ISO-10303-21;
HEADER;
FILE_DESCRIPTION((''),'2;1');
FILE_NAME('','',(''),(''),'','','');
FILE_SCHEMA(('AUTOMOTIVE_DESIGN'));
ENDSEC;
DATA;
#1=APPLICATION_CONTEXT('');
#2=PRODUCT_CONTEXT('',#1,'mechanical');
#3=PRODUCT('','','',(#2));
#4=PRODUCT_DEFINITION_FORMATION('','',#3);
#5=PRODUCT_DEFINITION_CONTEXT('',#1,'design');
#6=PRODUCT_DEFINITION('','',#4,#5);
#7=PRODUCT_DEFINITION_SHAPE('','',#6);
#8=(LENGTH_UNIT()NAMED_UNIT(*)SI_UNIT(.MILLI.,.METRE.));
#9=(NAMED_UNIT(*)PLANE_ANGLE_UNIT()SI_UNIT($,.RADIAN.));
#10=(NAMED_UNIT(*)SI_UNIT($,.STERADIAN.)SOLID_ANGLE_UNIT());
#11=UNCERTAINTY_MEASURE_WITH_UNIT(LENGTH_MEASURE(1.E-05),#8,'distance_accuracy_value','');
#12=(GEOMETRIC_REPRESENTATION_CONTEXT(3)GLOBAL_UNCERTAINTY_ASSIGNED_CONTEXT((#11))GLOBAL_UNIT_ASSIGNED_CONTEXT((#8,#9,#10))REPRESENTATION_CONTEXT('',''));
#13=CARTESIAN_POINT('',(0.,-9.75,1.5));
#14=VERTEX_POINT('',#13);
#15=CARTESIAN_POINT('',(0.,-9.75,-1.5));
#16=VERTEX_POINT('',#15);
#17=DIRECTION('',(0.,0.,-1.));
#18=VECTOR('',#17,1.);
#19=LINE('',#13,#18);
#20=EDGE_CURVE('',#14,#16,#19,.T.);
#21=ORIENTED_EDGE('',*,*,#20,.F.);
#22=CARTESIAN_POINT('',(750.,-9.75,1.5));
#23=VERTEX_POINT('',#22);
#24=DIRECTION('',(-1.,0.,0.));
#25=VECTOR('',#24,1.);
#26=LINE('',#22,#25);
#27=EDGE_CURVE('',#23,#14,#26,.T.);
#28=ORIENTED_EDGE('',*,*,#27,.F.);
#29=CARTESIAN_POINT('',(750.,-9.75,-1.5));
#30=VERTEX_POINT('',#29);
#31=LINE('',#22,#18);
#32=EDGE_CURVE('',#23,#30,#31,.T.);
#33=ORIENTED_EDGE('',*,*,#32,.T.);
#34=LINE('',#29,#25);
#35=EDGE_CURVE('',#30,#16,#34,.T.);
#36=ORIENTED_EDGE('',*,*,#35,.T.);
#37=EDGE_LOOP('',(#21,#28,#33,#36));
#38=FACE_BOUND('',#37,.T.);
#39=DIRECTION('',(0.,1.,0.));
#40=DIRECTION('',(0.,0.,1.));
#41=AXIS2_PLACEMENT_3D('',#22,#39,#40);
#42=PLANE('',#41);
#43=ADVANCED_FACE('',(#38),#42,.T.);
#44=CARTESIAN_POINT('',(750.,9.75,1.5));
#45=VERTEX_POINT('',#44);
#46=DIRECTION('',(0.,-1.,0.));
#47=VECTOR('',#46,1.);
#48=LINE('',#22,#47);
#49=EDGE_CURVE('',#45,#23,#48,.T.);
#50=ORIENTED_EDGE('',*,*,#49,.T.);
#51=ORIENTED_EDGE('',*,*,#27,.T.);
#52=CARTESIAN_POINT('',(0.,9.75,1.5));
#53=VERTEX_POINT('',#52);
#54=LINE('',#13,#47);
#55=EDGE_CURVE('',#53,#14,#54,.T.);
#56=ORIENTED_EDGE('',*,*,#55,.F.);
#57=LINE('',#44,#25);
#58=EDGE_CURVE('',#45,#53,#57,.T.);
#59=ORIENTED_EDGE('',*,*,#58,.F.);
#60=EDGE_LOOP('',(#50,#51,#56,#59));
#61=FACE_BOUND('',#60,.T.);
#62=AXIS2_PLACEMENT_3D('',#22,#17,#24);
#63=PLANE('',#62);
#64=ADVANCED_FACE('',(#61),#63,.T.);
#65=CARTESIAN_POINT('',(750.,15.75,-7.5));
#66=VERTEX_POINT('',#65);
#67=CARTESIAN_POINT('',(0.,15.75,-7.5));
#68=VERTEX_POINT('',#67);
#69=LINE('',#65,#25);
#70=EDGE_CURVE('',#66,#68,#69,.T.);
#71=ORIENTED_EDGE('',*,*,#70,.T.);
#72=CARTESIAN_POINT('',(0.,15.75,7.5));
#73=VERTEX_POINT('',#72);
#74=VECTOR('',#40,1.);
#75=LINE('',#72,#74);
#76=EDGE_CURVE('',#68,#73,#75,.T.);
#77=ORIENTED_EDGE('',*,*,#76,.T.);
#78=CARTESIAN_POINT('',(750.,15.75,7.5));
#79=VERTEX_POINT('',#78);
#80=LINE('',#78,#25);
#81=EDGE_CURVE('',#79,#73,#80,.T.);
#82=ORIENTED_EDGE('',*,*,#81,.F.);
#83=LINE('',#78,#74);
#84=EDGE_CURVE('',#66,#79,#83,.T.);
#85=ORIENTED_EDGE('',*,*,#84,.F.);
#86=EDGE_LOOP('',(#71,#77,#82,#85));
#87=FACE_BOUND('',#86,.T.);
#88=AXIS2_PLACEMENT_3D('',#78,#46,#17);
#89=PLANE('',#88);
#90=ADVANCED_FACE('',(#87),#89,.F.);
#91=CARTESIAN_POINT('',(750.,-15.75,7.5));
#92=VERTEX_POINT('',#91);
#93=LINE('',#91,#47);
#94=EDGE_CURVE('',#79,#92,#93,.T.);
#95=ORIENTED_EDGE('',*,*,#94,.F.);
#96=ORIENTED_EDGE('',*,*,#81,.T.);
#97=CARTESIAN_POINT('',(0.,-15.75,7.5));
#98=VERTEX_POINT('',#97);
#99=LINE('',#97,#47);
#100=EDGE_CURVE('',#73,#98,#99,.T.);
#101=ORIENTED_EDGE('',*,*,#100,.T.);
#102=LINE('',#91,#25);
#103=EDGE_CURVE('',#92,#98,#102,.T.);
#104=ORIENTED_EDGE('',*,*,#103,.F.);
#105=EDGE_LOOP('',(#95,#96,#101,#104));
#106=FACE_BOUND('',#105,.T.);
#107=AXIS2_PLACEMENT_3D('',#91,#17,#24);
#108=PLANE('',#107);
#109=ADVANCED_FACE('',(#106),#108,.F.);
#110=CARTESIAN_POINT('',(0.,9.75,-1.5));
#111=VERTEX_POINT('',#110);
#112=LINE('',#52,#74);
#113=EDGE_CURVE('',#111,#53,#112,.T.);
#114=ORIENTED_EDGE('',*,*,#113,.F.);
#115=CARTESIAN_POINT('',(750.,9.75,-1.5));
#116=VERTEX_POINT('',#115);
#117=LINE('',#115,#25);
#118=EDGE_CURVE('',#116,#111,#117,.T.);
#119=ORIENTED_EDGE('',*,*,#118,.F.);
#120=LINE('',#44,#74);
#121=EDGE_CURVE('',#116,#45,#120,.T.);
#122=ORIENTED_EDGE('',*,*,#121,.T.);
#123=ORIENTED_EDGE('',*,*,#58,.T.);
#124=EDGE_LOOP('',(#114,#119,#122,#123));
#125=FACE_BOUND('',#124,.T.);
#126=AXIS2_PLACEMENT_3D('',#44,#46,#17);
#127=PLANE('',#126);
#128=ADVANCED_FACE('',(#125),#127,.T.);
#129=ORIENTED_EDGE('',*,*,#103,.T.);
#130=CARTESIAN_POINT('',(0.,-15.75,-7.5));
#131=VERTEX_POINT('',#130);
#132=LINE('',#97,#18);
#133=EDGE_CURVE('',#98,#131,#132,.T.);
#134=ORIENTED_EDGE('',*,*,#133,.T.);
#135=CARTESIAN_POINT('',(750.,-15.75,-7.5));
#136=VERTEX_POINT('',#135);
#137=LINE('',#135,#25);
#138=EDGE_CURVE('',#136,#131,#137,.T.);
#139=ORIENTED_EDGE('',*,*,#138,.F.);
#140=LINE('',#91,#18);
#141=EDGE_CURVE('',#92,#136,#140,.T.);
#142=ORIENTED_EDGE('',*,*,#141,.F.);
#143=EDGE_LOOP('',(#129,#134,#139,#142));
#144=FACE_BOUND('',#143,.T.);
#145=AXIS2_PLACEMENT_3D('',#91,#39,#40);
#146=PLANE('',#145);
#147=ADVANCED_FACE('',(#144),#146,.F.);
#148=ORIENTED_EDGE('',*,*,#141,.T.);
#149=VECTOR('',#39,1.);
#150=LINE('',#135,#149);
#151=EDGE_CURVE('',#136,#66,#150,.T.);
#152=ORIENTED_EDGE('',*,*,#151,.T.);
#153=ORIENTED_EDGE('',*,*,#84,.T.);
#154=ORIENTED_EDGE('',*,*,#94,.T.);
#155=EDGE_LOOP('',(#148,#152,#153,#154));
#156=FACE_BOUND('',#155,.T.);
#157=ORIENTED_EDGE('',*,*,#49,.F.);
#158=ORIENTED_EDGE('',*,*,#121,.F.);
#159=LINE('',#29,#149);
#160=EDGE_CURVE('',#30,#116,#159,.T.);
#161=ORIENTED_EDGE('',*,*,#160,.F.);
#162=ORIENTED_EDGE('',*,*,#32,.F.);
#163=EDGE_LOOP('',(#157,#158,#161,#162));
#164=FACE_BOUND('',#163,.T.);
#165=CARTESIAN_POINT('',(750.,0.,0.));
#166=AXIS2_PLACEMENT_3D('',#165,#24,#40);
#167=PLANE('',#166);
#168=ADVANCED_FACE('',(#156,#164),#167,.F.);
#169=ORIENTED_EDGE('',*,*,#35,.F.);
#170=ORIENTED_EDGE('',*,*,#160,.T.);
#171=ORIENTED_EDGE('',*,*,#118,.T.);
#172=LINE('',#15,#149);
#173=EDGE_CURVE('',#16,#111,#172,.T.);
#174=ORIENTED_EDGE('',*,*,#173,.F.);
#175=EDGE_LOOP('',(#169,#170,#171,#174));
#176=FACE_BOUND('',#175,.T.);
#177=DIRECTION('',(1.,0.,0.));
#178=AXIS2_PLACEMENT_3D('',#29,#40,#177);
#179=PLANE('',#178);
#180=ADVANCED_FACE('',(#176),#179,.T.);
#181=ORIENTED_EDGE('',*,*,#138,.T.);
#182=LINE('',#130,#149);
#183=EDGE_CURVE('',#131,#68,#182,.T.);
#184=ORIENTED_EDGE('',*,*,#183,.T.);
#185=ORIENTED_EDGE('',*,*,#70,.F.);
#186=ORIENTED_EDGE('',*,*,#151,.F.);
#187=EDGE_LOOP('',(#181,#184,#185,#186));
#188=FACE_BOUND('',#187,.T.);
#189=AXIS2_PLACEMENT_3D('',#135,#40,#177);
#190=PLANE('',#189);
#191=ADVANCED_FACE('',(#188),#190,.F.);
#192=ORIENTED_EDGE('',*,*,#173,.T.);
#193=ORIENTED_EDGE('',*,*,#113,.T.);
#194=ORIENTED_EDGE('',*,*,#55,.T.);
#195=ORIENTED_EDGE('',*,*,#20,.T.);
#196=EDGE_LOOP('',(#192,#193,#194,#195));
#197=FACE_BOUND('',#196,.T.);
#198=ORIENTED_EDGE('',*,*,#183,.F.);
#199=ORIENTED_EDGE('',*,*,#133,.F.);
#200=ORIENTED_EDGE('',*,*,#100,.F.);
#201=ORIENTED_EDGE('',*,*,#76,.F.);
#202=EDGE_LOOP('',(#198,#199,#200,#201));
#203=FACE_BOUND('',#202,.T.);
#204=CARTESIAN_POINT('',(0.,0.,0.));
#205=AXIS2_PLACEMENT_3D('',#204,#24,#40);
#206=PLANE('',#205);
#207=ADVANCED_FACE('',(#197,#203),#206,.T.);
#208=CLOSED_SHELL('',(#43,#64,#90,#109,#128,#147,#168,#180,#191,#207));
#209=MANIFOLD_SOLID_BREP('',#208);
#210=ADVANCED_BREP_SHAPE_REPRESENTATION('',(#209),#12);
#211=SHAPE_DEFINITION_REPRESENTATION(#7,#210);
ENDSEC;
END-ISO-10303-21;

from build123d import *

# Parameters (mm, degrees)
SKETCH1_W           = 15
SKETCH1_H           = 31.5
SKETCH1_W_2         = 3
SKETCH1_H_2         = 19.5
BOSS_EXTRUDE1_DEPTH = 750


with BuildPart() as part:
    # Sketch1 → Boss-Extrude1 (new body)
    with BuildSketch(Plane(origin=(0, 0, 0), x_dir=(0, 0, -1), z_dir=(1, 0, 0))):
        Rectangle(SKETCH1_W, SKETCH1_H)
        Rectangle(SKETCH1_W_2, SKETCH1_H_2, mode=Mode.SUBTRACT)
    extrude(amount=BOSS_EXTRUDE1_DEPTH)


solid = part.part
